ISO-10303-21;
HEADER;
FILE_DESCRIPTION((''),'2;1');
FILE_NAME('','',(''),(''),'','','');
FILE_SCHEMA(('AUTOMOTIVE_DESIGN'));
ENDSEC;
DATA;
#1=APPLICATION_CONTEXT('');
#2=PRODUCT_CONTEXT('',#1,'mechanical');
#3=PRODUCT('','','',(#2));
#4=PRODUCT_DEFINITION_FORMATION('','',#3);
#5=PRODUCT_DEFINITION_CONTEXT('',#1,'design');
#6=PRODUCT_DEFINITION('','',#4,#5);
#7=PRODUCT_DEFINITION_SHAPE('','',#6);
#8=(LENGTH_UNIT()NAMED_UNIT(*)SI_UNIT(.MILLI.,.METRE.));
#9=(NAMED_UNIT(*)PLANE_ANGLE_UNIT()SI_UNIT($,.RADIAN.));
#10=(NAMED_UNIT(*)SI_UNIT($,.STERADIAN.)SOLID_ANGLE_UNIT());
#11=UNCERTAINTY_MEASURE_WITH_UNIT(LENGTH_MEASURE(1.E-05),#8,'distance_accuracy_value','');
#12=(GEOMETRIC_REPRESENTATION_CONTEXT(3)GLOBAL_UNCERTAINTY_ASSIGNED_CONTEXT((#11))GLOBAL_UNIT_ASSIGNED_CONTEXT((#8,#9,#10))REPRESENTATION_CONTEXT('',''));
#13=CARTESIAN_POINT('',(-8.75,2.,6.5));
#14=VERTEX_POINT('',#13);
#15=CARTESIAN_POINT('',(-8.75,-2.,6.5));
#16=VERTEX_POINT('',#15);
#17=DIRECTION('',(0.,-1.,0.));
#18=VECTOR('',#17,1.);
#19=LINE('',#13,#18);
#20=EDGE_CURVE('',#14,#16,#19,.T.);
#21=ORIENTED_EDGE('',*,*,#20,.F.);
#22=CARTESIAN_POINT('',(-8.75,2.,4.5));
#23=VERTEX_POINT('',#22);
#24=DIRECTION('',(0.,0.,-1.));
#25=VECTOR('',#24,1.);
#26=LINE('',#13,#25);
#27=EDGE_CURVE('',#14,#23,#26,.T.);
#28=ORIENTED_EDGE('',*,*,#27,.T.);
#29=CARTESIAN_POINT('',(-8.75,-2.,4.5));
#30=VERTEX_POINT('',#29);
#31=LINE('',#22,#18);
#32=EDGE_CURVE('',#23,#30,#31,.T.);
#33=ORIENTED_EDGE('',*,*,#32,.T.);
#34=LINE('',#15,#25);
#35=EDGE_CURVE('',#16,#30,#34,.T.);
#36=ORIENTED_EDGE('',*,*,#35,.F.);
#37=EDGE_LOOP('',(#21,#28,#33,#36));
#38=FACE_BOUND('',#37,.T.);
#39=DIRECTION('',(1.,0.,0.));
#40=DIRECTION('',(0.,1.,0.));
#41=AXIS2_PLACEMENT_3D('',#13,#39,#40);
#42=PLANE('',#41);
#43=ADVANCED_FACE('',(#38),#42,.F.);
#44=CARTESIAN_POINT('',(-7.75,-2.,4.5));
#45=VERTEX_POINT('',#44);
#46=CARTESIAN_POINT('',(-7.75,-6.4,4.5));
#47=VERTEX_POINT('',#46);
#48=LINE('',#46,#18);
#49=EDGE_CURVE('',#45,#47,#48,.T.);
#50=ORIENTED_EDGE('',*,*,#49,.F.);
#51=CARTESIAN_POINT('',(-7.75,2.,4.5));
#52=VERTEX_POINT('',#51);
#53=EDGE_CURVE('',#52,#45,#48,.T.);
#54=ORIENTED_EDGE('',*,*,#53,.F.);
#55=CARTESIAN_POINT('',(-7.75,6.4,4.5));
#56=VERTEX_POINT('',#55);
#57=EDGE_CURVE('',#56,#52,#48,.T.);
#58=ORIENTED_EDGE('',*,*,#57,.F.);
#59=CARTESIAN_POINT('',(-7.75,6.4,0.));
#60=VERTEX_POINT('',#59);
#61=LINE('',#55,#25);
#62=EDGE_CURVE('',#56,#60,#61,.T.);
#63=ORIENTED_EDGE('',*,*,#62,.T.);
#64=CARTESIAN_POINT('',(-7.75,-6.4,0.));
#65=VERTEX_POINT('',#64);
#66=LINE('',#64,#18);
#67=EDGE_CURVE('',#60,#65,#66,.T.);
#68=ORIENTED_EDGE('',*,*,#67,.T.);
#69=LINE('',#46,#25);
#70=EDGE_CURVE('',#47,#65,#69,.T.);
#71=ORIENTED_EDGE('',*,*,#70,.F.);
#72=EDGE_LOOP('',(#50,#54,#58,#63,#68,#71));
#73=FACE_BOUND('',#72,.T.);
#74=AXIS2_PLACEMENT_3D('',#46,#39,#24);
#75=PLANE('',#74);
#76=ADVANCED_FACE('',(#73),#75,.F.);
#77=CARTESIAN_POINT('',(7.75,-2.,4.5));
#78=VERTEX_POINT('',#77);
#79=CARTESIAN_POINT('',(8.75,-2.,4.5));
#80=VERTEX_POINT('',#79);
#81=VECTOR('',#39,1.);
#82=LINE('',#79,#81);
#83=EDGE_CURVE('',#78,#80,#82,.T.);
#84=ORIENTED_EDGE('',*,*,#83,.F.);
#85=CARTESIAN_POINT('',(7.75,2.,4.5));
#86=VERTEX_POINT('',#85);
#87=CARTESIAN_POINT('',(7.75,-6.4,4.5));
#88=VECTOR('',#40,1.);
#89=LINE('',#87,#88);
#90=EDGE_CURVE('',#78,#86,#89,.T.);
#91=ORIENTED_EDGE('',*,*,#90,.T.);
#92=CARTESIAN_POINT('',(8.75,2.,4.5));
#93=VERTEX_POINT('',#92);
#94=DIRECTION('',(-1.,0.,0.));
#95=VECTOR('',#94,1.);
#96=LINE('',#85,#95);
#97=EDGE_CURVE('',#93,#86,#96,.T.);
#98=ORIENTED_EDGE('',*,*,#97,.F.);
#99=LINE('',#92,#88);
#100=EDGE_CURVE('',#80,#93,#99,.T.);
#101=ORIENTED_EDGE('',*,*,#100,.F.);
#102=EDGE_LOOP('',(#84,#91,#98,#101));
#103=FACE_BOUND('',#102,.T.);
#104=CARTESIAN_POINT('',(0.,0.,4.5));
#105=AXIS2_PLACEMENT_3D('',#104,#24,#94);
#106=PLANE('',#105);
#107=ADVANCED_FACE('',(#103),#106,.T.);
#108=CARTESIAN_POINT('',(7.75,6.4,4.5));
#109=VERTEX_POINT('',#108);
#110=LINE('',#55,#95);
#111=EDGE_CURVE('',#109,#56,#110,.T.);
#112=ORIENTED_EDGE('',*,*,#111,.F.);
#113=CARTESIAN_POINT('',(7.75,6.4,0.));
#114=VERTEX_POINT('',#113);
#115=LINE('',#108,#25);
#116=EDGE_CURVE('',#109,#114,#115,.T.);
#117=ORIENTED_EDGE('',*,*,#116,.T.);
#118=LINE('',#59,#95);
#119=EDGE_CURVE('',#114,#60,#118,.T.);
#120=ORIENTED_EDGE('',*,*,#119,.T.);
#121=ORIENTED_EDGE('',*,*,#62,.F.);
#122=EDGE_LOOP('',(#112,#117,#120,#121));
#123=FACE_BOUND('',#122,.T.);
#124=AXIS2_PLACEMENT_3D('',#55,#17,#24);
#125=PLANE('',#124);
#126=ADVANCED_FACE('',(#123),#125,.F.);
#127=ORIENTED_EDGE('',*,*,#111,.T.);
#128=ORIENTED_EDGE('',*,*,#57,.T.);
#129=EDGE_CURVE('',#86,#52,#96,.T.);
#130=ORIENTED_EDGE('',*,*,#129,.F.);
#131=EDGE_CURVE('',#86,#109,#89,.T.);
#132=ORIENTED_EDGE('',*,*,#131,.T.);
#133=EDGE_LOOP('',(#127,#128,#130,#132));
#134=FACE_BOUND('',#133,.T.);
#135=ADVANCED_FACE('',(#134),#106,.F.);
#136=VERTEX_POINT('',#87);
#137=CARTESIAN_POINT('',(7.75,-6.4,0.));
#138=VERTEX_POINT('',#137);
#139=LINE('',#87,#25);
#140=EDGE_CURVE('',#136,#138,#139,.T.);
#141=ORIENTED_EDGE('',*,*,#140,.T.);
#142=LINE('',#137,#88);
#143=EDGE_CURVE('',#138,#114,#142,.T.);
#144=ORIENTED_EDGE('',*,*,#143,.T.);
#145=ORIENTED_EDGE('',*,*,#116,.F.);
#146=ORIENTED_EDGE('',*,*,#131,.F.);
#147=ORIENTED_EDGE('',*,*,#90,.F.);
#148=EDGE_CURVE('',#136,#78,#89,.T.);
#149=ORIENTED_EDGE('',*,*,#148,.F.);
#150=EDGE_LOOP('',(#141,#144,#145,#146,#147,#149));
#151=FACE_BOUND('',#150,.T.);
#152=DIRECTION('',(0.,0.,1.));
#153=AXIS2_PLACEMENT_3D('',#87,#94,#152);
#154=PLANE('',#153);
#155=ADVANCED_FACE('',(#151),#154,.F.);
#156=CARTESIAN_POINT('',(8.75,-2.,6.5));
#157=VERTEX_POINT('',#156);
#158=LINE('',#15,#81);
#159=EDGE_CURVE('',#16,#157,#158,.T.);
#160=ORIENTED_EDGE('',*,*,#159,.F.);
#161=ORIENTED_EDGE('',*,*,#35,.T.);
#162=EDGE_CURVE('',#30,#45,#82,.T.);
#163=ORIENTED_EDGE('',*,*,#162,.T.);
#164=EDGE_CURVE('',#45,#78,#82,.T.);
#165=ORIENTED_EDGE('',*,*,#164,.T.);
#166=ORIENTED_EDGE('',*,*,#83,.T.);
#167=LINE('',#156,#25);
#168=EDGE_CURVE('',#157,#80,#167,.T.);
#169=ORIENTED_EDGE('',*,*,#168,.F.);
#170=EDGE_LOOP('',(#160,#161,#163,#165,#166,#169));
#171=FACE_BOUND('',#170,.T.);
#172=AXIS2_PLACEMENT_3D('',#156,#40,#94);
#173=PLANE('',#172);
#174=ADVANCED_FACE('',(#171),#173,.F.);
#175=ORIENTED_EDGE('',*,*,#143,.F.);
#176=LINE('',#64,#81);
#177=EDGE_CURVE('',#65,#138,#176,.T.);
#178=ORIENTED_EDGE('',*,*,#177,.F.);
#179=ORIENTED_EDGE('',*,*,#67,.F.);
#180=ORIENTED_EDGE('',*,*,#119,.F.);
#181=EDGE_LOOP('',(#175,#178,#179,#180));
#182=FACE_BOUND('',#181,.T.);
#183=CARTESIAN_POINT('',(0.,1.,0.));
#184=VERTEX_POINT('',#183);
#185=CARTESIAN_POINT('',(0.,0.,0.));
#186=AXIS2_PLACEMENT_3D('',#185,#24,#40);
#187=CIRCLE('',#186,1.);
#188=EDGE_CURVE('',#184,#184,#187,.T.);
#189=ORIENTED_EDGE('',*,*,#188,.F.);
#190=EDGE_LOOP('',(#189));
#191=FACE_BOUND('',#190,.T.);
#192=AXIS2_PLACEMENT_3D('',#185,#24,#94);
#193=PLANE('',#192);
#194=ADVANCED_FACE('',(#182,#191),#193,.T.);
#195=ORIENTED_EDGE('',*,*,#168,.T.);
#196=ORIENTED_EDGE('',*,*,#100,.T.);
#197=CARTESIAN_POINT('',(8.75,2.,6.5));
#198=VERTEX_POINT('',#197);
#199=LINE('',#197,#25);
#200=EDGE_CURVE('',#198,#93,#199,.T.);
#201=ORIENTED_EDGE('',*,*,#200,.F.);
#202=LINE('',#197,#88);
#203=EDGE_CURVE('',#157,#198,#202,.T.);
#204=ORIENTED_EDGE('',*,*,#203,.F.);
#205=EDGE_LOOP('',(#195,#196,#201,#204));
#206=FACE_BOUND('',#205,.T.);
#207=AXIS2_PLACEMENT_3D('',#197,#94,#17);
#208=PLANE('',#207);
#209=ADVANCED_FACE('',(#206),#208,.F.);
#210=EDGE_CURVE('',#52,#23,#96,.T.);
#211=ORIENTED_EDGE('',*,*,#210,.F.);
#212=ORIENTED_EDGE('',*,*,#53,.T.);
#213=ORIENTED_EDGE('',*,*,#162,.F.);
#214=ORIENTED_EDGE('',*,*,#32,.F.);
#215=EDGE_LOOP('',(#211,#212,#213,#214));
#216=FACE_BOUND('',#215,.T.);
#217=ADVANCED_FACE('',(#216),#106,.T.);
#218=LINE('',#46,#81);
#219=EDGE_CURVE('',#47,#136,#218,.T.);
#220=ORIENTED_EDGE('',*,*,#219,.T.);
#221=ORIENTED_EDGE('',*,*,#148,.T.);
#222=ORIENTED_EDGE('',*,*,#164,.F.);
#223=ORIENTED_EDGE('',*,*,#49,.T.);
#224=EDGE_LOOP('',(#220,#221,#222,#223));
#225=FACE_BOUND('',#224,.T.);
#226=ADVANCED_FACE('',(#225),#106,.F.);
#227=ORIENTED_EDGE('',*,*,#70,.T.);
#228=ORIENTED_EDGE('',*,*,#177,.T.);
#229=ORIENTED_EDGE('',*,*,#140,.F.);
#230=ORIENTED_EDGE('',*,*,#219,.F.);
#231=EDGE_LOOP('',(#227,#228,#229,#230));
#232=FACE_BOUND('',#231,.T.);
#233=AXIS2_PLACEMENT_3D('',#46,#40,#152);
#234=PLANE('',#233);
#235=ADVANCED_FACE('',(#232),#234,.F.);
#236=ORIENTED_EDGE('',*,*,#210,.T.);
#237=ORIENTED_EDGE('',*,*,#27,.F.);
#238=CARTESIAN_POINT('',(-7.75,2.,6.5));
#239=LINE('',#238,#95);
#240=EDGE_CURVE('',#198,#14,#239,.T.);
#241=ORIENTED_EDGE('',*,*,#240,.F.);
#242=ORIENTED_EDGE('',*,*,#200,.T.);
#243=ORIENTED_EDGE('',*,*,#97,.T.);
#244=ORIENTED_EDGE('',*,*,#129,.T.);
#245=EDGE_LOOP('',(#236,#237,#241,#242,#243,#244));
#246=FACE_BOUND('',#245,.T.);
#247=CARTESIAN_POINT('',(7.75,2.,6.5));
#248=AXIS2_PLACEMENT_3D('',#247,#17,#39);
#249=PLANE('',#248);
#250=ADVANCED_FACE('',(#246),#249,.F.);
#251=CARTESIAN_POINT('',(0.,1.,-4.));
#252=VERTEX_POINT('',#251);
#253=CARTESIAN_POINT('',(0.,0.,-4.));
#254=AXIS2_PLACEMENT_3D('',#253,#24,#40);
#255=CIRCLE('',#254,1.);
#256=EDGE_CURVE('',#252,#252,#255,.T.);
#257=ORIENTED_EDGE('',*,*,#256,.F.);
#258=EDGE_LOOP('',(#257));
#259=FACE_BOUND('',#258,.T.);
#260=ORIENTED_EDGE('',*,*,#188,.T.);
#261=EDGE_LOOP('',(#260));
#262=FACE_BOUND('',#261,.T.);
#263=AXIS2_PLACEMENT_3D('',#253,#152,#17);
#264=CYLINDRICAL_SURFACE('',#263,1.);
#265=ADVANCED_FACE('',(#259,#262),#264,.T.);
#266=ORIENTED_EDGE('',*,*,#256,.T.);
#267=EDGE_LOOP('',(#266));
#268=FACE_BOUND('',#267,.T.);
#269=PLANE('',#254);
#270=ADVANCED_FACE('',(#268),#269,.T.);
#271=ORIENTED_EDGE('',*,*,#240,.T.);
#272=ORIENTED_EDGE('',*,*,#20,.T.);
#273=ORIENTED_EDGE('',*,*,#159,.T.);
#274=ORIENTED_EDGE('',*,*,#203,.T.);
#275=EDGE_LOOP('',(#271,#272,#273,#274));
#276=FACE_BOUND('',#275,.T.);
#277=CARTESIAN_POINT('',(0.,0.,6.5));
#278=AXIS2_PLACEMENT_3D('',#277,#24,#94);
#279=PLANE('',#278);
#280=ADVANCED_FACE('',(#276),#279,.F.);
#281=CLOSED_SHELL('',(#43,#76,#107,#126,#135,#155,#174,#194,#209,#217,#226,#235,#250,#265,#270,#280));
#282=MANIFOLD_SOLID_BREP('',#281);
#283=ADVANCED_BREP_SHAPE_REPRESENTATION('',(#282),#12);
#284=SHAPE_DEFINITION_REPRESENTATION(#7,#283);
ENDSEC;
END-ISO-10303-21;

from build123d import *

# Parameters (mm, degrees)
SKETCH1_W           = 15.5
SKETCH1_H           = 12.8
BOSS_EXTRUDE1_DEPTH = 4.5
SKETCH2_R           = 1
BOSS_EXTRUDE2_DEPTH = 4
BOSS_EXTRUDE3_DEPTH = 2


with BuildPart() as part:
    # Sketch1 → Boss-Extrude1 (new body)
    with BuildSketch(Plane.XY):
        Rectangle(SKETCH1_W, SKETCH1_H)
    extrude(amount=BOSS_EXTRUDE1_DEPTH)

    # Sketch2 → Boss-Extrude2 (add)
    with BuildSketch(Plane(origin=(0, 0, 0), x_dir=(1, 0, 0), z_dir=(0, 0, -1))):
        with Locations(Location((0, 0, 0), (0, 0, 270))):
            Circle(SKETCH2_R)
    extrude(amount=BOSS_EXTRUDE2_DEPTH)

    # Sketch3 → Boss-Extrude3 (add)
    with BuildSketch(Plane.XY.offset(4.5)):
        Polygon((-7.75, 2), (-8.75, 2), (-8.75, -2), (-7.75, -2), (7.75, -2), (8.75, -2), (8.75, 2), (7.75, 2), align=None)
    extrude(amount=BOSS_EXTRUDE3_DEPTH)


solid = part.part
